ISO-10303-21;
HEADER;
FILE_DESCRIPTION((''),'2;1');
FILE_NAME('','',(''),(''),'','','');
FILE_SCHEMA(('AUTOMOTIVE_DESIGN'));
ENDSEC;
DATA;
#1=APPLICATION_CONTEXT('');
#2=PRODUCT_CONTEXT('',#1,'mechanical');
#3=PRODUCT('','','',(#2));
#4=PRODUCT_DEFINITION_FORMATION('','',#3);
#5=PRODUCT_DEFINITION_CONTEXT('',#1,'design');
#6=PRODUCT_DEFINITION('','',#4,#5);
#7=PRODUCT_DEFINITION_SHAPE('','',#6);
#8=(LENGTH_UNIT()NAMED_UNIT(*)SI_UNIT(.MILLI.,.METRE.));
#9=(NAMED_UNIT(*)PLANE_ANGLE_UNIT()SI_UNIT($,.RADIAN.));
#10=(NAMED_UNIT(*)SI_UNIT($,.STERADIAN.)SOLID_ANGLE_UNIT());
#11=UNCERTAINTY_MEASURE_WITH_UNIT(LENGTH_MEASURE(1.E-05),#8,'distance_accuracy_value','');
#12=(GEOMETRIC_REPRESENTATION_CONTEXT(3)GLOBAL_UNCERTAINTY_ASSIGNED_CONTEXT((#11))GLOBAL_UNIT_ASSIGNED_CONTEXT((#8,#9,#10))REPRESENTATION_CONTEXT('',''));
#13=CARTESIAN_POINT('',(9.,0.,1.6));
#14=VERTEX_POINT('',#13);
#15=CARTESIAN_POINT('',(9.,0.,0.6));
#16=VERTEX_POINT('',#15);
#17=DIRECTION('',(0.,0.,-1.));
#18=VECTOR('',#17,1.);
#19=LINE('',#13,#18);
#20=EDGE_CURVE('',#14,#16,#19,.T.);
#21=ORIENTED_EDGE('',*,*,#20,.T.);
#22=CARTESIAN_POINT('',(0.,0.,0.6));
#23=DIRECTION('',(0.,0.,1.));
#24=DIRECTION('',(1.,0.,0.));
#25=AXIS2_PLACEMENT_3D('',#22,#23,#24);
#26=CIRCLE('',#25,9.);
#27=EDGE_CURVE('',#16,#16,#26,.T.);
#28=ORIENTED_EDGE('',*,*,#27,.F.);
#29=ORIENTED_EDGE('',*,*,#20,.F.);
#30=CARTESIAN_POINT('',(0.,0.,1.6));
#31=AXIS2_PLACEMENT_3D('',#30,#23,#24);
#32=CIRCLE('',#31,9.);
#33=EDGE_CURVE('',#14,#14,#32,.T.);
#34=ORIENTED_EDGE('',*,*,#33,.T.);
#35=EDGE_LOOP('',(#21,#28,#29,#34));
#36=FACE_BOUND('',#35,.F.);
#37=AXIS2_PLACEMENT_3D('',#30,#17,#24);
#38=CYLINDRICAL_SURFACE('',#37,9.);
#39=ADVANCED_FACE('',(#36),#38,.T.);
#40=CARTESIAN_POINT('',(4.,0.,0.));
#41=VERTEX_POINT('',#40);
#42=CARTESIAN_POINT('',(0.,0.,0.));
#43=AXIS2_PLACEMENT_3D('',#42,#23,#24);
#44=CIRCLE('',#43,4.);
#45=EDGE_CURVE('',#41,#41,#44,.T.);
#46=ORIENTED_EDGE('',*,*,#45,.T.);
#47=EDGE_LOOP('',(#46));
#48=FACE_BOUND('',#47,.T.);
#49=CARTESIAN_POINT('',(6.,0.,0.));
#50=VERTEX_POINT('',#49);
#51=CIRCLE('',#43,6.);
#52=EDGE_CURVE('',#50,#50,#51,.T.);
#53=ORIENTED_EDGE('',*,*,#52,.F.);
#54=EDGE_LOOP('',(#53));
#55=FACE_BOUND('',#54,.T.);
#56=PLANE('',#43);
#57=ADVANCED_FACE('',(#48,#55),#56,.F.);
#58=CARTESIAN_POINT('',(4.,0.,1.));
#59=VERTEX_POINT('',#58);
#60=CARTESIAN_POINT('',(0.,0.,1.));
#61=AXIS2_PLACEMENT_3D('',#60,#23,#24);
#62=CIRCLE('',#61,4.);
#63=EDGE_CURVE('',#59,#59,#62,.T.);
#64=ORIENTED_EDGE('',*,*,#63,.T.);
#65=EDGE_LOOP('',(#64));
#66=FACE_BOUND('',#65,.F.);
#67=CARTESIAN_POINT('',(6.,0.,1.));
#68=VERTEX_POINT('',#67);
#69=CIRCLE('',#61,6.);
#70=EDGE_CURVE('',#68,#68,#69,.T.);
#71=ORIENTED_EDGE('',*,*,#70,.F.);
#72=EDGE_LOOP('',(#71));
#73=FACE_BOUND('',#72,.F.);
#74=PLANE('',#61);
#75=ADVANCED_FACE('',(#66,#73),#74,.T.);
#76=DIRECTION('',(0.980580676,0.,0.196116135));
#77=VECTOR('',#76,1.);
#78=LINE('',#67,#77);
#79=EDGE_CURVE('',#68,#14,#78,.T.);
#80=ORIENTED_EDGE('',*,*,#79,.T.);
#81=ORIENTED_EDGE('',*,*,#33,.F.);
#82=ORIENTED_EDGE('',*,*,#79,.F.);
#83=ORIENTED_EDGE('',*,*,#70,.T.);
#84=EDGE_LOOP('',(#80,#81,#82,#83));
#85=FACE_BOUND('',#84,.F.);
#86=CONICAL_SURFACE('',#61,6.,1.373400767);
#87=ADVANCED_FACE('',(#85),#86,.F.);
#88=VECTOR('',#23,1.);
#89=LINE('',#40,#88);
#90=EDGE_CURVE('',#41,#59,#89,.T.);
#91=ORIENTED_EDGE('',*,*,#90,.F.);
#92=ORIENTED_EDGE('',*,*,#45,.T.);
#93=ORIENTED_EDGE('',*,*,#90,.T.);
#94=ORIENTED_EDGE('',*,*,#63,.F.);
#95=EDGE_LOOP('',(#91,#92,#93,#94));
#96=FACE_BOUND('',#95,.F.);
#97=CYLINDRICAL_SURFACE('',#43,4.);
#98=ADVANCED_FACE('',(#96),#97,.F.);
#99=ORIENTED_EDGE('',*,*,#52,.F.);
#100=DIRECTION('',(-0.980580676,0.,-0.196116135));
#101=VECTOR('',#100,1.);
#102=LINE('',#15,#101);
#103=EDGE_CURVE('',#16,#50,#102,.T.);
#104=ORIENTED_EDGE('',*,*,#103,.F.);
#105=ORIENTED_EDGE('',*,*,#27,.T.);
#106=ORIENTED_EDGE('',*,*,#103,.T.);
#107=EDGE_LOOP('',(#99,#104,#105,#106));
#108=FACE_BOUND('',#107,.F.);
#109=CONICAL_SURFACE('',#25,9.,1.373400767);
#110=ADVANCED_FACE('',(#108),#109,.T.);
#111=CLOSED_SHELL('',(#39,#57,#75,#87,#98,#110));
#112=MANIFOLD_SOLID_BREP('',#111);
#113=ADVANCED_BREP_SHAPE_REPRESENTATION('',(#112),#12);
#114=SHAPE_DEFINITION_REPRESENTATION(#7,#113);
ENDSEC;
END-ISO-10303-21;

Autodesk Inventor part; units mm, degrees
ref_plane "YZ Plane" through (0, 0, 0) normal (1, 0, 0) x (0, 1, 0)
ref_plane "XZ Plane" through (0, 0, 0) normal (0, 1, 0) x (-1, 0, 0)
ref_plane "XY Plane" through (0, 0, 0) normal (0, 0, 1) x (1, 0, 0)
sketch "Szkic1" plane through (0, 0, 0) normal (0, 1, 0) x (-1, 0, 0)
  line L0 (-4, 0) -> (-4, 1)
  line L1 (-4, 0) -> (-6, 0)
  line L2 (-9, 1.6) -> (-9, 0.6)
  line L3 (-9, 0.6) -> (-6, 0)
  line L4 (-4, 1) -> (-6, 1)
  line L5 (-6, 1) -> (-9, 1.6)
  line L6 (0, 0) -> (0, 1.6)
revolve "Obrót1" add sketch "Szkic1" angle 360 about axis through (0, 0, 0) along (0, 0, 1)
properties part number "PODKŁADKA M8X18" material "Stal"
